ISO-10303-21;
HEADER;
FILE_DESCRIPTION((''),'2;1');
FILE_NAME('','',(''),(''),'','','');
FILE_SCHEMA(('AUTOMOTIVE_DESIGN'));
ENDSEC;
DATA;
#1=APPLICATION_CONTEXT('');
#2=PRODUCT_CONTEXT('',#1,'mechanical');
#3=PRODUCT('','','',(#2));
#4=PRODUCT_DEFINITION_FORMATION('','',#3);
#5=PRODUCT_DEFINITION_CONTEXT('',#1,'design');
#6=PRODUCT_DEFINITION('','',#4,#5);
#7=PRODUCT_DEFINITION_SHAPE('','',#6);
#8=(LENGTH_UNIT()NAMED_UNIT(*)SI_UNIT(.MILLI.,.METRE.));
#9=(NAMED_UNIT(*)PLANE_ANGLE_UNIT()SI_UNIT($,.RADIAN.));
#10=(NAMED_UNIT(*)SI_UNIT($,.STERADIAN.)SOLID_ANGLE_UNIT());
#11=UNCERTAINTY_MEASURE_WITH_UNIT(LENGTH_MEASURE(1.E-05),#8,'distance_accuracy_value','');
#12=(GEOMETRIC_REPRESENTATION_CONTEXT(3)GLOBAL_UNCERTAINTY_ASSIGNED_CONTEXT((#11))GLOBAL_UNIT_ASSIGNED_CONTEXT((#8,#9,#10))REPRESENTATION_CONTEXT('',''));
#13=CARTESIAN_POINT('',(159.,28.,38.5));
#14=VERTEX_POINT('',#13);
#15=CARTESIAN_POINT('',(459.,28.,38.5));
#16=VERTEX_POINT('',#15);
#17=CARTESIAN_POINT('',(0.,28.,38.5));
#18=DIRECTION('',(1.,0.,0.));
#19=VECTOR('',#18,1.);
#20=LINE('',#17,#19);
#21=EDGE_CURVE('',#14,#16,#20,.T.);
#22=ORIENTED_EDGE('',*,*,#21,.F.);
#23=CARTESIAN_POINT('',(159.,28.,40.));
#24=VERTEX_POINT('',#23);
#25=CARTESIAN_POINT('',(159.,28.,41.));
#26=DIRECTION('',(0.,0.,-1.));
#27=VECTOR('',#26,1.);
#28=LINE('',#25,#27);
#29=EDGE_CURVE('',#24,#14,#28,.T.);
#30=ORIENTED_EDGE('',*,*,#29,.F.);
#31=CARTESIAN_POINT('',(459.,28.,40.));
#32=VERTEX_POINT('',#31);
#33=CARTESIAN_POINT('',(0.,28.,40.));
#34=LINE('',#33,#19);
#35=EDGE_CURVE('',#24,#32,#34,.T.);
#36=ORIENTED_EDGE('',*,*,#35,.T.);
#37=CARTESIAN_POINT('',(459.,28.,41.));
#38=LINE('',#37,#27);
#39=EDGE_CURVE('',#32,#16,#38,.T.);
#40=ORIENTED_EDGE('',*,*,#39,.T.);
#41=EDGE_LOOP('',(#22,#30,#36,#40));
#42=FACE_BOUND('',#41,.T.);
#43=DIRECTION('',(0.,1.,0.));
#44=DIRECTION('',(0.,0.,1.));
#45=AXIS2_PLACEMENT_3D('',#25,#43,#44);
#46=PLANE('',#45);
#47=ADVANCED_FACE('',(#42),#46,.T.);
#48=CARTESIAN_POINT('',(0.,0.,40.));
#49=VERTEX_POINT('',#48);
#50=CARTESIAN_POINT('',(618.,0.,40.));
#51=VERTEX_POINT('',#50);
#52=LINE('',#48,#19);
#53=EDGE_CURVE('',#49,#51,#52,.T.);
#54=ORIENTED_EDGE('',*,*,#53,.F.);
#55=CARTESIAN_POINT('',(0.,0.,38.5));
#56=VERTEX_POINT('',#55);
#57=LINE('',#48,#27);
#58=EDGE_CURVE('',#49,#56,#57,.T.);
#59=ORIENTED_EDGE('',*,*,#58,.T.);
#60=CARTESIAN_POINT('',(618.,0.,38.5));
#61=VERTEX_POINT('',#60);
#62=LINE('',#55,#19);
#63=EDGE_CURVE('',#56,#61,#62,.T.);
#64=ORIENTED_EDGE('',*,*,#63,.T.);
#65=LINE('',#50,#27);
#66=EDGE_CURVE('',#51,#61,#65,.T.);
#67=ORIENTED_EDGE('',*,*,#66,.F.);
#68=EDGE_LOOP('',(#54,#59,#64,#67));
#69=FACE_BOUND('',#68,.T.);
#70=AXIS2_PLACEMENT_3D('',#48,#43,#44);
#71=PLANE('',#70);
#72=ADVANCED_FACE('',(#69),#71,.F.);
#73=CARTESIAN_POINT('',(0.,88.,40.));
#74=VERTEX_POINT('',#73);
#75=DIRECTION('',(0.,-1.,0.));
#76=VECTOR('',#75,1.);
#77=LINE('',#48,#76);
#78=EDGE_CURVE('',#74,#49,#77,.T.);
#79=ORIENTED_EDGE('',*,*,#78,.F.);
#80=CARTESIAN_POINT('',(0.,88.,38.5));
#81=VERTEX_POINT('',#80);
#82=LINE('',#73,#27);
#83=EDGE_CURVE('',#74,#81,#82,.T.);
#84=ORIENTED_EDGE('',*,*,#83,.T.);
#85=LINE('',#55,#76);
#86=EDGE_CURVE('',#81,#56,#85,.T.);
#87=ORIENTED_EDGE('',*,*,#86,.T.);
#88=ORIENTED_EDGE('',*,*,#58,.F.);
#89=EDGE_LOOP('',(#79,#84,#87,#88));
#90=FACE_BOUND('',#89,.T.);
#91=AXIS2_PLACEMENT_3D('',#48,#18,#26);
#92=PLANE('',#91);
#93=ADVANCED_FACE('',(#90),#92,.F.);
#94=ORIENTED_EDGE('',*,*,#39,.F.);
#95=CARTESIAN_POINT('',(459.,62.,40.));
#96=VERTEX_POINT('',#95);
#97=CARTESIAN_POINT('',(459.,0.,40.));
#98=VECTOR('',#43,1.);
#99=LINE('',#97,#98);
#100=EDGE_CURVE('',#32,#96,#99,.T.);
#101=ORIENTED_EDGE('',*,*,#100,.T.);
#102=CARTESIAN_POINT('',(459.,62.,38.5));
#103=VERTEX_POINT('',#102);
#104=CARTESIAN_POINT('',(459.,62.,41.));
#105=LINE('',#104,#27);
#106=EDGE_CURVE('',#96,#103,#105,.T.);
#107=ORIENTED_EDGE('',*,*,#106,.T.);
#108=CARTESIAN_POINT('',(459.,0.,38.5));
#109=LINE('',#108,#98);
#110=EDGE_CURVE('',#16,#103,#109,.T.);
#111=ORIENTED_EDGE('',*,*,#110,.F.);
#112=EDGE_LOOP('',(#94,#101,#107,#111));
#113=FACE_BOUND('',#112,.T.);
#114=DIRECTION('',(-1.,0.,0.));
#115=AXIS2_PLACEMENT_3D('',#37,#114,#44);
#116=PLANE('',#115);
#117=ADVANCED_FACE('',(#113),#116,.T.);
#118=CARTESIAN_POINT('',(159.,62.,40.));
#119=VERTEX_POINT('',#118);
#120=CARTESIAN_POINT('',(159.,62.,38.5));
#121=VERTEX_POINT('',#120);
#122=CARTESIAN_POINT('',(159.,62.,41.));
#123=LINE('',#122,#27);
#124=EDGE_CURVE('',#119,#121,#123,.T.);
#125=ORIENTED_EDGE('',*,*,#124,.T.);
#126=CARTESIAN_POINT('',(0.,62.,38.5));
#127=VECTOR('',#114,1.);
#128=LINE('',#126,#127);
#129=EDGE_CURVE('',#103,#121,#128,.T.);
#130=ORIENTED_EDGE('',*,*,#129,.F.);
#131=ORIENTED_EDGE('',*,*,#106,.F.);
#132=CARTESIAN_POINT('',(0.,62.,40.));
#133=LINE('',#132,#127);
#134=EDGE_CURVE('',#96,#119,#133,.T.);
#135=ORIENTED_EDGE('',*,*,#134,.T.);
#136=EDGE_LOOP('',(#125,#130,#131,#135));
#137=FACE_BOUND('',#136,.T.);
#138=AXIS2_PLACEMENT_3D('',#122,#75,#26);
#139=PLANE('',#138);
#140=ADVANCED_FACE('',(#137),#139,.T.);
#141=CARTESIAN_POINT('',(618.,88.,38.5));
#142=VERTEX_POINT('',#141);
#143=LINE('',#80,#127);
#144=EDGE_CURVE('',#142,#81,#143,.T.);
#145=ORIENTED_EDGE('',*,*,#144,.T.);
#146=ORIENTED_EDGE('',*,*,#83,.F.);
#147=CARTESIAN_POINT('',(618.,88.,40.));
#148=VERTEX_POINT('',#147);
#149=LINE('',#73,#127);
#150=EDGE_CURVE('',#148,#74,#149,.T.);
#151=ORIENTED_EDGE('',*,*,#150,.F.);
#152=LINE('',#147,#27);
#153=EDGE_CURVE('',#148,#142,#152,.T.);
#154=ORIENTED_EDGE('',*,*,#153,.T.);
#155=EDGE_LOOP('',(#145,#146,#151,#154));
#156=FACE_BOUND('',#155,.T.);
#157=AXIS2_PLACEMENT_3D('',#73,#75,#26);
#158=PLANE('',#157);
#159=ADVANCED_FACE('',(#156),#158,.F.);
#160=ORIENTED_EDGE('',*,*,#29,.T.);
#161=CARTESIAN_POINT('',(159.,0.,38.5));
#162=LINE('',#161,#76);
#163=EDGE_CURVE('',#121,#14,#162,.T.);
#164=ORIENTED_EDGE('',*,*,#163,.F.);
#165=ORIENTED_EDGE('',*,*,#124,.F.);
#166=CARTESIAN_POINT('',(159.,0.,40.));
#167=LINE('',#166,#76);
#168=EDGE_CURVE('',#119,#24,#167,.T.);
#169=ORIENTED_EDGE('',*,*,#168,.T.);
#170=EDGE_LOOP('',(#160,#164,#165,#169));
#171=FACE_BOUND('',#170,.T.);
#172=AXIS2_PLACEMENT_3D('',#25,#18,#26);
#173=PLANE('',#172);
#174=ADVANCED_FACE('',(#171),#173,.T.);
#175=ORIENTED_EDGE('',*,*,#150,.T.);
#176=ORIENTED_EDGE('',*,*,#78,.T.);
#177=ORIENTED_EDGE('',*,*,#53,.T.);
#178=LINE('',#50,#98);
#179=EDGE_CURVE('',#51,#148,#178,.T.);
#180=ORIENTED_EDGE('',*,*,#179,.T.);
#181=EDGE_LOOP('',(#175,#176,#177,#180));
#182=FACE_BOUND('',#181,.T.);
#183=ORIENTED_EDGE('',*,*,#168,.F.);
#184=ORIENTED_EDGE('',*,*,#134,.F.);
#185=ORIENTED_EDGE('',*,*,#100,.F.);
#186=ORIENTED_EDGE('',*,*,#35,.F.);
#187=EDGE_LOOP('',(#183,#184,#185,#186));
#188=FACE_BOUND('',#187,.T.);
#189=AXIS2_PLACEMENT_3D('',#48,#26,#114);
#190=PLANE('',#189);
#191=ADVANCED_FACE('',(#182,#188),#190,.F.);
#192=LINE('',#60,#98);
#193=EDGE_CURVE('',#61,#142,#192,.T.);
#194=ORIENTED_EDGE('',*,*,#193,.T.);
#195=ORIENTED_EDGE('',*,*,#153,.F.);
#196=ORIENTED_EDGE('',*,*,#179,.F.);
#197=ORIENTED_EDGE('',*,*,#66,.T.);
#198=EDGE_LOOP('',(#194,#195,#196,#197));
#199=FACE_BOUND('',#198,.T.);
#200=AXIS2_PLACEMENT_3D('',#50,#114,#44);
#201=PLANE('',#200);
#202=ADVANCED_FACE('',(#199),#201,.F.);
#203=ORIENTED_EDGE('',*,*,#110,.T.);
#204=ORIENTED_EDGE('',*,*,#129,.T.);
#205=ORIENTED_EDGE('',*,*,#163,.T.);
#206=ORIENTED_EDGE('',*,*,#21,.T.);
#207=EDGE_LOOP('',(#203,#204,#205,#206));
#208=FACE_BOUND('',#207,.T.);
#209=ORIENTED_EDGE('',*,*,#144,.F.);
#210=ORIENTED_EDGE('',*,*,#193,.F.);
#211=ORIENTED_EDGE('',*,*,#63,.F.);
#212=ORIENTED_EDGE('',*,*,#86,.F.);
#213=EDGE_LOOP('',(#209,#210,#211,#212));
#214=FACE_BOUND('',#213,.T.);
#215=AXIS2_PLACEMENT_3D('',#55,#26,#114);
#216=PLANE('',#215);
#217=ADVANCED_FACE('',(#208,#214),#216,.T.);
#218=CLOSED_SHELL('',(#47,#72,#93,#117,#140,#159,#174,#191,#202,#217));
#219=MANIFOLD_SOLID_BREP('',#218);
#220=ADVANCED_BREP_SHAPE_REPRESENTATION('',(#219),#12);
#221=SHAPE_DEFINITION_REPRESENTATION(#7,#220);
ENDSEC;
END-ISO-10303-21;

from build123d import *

# Parameters (mm, degrees)
CEK_DONMUS_ON_DIS_SAC_1_5_1_START = 38.5
SKETCH1_W                         = 618
SKETCH1_H                         = 88
CEK_DONMUS_ON_DIS_SAC_1_5_1_DEPTH = 1.5
CEK_DONMUS_ON_DIS_SAC_1_5_2_START = 27
SKETCH2_W                         = 300
SKETCH2_H                         = 34
CEK_DONMUS_ON_DIS_SAC_1_5_2_DEPTH = 14


with BuildPart() as part:
    # Sketch1 → CEK_donmus_on_dis_sac_1.5_1 (new body)
    with BuildSketch(Plane.XY.offset(CEK_DONMUS_ON_DIS_SAC_1_5_1_START)):
        with Locations((309, 44)):
            Rectangle(SKETCH1_W, SKETCH1_H)
    extrude(amount=CEK_DONMUS_ON_DIS_SAC_1_5_1_DEPTH)

    # Sketch2 → CEK_donmus_on_dis_sac_1.5_2 (cut)
    with BuildSketch(Plane.XY.offset(CEK_DONMUS_ON_DIS_SAC_1_5_2_START)):
        with Locations((309, 45)):
            Rectangle(SKETCH2_W, SKETCH2_H)
    extrude(amount=CEK_DONMUS_ON_DIS_SAC_1_5_2_DEPTH, mode=Mode.SUBTRACT)


solid = part.part
